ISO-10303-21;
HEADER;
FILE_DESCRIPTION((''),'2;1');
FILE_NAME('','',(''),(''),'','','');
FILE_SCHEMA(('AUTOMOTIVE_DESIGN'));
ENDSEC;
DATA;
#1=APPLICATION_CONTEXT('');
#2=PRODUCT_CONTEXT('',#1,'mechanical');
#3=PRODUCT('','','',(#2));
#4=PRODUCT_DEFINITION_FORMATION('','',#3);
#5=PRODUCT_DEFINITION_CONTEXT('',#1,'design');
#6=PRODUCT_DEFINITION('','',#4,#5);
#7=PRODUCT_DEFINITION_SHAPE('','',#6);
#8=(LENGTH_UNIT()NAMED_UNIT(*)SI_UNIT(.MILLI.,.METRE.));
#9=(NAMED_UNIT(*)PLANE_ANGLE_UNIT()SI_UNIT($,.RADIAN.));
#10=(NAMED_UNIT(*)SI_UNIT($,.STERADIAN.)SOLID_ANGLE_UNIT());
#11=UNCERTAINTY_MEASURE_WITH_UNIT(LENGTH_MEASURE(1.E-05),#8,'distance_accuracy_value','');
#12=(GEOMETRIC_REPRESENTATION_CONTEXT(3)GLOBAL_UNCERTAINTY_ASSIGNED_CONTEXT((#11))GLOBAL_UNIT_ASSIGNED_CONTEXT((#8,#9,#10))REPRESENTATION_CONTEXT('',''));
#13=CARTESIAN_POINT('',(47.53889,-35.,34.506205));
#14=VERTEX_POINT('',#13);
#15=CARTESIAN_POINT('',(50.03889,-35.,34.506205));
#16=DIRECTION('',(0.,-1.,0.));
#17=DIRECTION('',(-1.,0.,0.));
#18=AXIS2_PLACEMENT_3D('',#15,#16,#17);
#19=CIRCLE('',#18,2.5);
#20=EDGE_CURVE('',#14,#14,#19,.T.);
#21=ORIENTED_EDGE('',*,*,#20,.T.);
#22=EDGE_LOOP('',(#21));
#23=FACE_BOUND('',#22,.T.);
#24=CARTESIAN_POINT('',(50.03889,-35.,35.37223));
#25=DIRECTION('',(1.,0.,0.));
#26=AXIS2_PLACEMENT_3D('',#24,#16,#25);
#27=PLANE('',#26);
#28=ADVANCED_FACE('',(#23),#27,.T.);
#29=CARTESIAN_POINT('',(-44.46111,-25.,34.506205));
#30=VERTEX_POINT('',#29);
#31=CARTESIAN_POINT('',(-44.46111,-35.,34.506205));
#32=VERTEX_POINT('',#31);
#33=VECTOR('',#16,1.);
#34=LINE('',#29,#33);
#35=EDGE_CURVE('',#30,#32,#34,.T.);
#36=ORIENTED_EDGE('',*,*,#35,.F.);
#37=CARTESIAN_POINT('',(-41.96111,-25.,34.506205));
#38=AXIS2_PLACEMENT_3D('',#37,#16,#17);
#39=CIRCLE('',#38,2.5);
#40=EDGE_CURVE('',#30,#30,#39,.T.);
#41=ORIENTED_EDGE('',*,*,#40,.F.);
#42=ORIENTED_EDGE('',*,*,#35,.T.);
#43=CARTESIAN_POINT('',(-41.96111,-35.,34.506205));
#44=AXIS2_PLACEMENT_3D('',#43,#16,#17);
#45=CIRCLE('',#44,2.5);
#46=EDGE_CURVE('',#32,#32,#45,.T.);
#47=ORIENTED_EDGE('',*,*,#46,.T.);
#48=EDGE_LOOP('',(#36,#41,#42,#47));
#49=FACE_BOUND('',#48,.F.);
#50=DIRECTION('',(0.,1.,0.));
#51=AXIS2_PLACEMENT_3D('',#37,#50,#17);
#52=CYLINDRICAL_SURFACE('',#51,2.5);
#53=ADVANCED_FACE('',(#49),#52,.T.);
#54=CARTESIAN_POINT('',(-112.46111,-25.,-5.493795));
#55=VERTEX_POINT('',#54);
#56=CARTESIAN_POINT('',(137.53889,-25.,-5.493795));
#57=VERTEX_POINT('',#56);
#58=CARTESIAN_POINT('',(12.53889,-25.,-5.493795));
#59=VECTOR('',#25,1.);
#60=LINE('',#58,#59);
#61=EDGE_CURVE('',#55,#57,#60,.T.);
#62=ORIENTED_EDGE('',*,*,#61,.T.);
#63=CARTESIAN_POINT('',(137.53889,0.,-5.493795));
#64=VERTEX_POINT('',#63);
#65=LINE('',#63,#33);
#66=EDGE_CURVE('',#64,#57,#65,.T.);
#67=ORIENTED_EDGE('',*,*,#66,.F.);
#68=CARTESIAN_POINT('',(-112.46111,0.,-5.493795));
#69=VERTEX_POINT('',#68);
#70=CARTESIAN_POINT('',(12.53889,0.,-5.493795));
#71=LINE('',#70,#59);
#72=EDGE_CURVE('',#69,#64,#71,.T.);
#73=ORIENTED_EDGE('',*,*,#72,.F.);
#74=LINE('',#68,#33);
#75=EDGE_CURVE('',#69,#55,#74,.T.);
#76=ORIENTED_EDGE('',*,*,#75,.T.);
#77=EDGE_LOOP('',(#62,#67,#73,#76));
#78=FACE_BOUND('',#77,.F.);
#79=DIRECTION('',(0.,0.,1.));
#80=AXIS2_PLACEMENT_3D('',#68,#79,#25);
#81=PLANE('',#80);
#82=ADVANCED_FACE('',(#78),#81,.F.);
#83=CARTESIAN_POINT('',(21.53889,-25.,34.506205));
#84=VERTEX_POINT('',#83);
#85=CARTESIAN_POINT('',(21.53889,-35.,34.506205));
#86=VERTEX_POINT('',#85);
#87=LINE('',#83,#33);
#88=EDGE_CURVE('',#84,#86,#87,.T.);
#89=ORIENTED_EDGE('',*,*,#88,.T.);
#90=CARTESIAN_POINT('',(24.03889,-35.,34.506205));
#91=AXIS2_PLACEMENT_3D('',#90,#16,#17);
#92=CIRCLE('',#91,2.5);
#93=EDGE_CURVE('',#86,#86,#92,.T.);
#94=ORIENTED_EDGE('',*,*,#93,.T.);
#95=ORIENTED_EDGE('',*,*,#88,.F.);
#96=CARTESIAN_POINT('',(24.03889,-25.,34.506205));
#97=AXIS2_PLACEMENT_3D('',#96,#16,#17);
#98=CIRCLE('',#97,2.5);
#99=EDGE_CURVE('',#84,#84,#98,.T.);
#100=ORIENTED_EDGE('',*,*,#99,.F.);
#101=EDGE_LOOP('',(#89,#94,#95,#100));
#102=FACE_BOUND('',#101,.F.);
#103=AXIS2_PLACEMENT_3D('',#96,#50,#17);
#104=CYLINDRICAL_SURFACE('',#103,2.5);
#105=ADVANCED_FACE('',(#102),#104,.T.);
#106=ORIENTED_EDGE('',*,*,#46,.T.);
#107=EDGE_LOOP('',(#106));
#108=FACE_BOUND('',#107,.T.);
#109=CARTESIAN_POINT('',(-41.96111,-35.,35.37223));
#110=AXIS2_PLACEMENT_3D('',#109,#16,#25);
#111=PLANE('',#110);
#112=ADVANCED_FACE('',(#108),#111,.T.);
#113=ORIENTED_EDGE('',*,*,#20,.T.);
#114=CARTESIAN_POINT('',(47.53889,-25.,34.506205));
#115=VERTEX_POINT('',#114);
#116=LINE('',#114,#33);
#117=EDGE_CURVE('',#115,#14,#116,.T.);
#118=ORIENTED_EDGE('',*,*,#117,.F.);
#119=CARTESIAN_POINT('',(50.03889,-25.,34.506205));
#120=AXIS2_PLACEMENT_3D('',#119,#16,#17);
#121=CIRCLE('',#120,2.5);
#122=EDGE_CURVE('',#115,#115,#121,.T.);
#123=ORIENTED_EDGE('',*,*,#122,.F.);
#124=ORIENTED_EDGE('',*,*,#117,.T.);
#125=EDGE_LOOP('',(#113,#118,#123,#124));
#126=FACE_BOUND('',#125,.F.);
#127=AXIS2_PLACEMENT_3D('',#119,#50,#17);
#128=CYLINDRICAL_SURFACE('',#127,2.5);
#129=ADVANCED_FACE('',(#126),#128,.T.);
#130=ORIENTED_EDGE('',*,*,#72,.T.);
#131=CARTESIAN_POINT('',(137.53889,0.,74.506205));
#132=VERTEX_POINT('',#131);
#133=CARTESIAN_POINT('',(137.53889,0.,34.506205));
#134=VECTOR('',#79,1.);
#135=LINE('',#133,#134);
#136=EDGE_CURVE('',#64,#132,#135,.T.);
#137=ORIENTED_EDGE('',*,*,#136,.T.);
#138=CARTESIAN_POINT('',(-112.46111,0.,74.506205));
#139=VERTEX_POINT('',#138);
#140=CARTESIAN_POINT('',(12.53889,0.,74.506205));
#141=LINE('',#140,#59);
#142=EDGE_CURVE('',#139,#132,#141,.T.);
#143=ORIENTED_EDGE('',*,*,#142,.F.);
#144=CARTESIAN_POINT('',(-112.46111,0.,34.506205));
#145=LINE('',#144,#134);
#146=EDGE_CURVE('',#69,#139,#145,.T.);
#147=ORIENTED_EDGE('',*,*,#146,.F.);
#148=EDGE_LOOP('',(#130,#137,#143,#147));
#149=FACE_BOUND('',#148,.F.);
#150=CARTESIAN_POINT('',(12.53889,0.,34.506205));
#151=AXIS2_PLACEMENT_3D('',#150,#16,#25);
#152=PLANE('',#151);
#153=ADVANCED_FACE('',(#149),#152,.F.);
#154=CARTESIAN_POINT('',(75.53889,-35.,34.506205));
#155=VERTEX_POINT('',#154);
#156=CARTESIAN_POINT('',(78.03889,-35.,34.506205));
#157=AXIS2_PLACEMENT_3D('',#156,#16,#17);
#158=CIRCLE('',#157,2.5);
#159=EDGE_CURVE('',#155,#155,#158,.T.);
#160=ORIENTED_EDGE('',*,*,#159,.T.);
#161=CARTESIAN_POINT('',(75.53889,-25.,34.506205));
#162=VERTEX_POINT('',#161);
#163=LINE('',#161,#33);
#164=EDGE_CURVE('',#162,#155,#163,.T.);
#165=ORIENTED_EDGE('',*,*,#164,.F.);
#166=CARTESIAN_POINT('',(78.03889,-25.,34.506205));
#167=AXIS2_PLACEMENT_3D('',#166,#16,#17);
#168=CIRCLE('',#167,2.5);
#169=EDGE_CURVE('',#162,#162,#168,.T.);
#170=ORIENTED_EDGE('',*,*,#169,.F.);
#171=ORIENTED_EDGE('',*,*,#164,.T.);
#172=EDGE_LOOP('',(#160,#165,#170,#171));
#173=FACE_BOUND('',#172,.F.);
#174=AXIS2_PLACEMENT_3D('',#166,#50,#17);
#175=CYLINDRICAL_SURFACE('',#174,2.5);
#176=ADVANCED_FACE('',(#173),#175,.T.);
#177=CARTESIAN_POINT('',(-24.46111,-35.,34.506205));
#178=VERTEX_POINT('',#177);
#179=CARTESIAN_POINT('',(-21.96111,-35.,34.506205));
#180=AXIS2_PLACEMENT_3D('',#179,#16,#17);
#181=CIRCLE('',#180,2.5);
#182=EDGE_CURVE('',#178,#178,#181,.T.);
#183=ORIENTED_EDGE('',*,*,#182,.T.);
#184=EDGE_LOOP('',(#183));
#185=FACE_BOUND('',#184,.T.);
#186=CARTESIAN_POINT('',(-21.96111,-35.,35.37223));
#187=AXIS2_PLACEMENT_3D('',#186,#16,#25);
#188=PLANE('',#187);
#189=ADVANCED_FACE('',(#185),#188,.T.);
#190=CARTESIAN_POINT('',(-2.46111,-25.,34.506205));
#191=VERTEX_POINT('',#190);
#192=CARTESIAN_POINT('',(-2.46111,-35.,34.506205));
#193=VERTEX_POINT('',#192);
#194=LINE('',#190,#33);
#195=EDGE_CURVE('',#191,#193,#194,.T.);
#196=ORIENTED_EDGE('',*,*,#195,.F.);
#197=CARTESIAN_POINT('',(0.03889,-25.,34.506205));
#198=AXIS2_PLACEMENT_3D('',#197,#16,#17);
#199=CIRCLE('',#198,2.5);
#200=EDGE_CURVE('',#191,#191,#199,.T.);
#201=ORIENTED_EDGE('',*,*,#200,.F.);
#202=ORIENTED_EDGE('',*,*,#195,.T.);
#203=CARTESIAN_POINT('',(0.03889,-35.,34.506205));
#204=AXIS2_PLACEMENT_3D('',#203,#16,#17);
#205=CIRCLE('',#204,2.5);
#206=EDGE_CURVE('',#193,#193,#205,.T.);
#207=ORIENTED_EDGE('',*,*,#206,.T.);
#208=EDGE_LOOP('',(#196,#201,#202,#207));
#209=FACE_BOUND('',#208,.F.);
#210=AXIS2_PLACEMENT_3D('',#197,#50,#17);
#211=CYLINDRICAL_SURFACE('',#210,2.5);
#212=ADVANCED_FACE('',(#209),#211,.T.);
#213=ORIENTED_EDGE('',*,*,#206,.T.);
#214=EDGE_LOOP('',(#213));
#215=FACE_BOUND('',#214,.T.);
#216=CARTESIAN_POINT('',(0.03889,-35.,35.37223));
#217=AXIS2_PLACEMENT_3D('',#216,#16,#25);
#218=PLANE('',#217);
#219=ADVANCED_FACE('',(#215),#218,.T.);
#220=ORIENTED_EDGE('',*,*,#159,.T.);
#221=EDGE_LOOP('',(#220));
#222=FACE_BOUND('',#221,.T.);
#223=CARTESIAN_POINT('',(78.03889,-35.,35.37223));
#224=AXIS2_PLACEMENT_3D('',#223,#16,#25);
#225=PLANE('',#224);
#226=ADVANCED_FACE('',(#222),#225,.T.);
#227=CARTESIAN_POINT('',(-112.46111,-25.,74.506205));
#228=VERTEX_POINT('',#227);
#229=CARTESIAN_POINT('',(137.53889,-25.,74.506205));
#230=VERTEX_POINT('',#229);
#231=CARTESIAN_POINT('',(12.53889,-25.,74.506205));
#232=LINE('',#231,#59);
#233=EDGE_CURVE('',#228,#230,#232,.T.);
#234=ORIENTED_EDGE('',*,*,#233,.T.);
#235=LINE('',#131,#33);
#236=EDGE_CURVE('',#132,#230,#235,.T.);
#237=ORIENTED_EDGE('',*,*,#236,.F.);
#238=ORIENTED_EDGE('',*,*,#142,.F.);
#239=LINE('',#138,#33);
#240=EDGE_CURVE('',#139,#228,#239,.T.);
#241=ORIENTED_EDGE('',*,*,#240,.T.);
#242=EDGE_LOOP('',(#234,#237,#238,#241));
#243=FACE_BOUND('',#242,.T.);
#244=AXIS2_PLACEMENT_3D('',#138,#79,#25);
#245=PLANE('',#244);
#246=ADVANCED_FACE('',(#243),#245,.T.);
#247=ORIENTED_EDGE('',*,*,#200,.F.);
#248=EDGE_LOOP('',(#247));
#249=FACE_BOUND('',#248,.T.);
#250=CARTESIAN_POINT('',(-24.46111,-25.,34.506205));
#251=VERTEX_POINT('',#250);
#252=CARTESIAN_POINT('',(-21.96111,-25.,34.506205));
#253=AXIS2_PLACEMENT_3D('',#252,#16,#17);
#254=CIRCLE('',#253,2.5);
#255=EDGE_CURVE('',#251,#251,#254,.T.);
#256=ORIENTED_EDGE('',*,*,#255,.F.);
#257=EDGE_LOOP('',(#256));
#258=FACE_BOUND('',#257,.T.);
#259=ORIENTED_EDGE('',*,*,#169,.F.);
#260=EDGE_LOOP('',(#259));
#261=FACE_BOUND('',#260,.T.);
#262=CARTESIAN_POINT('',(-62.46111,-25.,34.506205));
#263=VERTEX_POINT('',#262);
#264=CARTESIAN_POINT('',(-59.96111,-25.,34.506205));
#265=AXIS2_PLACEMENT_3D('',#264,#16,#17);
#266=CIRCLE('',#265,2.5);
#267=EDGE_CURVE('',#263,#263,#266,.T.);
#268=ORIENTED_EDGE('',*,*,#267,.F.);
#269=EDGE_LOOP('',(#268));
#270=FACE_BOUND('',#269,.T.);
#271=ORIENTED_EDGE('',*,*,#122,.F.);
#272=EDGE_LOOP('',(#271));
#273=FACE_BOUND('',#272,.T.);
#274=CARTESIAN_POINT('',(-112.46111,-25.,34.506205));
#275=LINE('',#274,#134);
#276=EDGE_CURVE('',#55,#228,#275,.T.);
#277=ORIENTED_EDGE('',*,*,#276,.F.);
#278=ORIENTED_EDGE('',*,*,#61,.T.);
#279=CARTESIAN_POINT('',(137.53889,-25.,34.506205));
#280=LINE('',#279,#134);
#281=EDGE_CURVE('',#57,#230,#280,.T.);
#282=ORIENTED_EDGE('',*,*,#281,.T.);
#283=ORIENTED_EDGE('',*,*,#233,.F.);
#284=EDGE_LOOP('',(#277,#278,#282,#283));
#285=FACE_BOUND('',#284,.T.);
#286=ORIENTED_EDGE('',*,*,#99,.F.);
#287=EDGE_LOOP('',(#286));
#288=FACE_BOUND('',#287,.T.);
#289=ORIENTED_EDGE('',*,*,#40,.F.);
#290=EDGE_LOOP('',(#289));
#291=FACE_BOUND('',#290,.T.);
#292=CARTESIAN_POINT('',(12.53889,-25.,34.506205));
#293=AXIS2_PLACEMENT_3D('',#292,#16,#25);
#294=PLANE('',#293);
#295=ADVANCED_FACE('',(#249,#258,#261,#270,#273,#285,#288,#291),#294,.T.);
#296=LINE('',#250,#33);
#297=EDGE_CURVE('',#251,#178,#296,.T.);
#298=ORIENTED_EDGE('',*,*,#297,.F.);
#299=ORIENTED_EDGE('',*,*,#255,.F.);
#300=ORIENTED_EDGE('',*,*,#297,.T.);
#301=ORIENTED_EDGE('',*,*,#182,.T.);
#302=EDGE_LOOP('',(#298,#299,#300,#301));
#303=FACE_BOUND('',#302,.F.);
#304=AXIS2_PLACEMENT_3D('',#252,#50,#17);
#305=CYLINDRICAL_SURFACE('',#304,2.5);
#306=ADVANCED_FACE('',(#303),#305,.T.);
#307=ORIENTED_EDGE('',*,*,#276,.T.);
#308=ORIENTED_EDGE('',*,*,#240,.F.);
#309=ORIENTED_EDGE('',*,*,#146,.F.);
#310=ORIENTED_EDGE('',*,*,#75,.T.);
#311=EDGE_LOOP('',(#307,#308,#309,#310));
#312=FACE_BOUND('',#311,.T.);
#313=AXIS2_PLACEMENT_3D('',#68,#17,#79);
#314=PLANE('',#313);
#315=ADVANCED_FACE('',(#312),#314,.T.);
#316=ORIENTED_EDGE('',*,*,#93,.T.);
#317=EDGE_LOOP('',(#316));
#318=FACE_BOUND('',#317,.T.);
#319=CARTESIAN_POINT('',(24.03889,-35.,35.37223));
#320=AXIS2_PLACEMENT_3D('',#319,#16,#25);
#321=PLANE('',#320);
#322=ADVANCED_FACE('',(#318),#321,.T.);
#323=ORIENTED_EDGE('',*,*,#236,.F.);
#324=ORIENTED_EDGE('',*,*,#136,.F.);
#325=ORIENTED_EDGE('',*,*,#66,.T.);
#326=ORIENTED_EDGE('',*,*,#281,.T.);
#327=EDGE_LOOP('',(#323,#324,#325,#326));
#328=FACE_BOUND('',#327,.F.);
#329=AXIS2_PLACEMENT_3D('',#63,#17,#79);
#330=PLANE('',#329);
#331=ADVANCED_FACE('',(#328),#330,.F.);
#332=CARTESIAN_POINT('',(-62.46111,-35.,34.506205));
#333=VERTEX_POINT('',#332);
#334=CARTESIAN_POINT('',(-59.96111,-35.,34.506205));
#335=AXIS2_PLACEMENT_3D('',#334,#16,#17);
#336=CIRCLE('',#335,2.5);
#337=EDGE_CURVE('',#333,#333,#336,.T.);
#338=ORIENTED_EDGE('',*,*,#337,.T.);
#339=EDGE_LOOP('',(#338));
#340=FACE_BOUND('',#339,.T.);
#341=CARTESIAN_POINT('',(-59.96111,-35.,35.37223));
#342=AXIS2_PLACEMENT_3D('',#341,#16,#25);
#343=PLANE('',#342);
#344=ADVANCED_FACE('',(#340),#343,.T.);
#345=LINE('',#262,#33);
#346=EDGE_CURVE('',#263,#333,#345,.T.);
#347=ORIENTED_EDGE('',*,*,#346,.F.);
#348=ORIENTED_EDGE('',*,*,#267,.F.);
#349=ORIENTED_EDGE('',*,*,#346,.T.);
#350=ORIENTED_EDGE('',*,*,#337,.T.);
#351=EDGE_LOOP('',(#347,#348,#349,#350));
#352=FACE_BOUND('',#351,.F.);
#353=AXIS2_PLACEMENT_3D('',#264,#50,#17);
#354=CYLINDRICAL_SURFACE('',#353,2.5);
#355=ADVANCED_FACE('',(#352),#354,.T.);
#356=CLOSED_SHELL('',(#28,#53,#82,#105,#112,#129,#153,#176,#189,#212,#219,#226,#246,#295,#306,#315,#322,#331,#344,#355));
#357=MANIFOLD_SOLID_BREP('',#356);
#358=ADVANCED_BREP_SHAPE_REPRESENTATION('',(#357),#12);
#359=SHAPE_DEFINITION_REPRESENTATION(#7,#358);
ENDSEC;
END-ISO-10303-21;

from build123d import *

# Parameters (mm, degrees)
F0_W     = 250
F0_H     = 80
F1_DEPTH = 25
F3_DEPTH = 10


with BuildPart() as f1:
    # F0 (on Front) → F1 (new body)
    with BuildSketch(Plane.XZ):
        with Locations((12.53889, 34.506205)):
            Rectangle(F0_W, F0_H)
    extrude(amount=F1_DEPTH)

    # F2 (on face) → F3 (join)
    with BuildSketch(Plane.XZ.offset(25)):
        with BuildLine():
            ThreePointArc((-57.46111, 34.506205), (-59.96111, 37.006205), (-62.46111, 34.506205))
            Line((-62.46111, 34.506205), (-57.46111, 34.506205))
        make_face()
        with BuildLine():
            ThreePointArc((80.53889, 34.506205), (78.03889, 37.006205), (75.53889, 34.506205))
            Line((75.53889, 34.506205), (80.53889, 34.506205))
        make_face()
        with BuildLine():
            Line((80.53889, 34.506205), (75.53889, 34.506205))
            ThreePointArc((75.53889, 34.506205), (78.03889, 32.006205), (80.53889, 34.506205))
        make_face()
        with BuildLine():
            ThreePointArc((52.53889, 34.506205), (50.03889, 37.006205), (47.53889, 34.506205))
            Line((47.53889, 34.506205), (52.53889, 34.506205))
        make_face()
        with BuildLine():
            Line((52.53889, 34.506205), (47.53889, 34.506205))
            ThreePointArc((47.53889, 34.506205), (50.03889, 32.006205), (52.53889, 34.506205))
        make_face()
        with BuildLine():
            ThreePointArc((26.53889, 34.506205), (24.03889, 37.006205), (21.53889, 34.506205))
            Line((21.53889, 34.506205), (26.53889, 34.506205))
        make_face()
        with BuildLine():
            Line((26.53889, 34.506205), (21.53889, 34.506205))
            ThreePointArc((21.53889, 34.506205), (24.03889, 32.006205), (26.53889, 34.506205))
        make_face()
        with BuildLine():
            ThreePointArc((2.53889, 34.506205), (0.03889, 37.006205), (-2.46111, 34.506205))
            Line((-2.46111, 34.506205), (2.53889, 34.506205))
        make_face()
        with BuildLine():
            Line((2.53889, 34.506205), (-2.46111, 34.506205))
            ThreePointArc((-2.46111, 34.506205), (0.03889, 32.006205), (2.53889, 34.506205))
        make_face()
        with BuildLine():
            ThreePointArc((-19.46111, 34.506205), (-21.96111, 37.006205), (-24.46111, 34.506205))
            Line((-24.46111, 34.506205), (-19.46111, 34.506205))
        make_face()
        with BuildLine():
            Line((-19.46111, 34.506205), (-24.46111, 34.506205))
            ThreePointArc((-24.46111, 34.506205), (-21.96111, 32.006205), (-19.46111, 34.506205))
        make_face()
        with BuildLine():
            ThreePointArc((-39.46111, 34.506205), (-41.96111, 37.006205), (-44.46111, 34.506205))
            Line((-44.46111, 34.506205), (-39.46111, 34.506205))
        make_face()
        with BuildLine():
            Line((-39.46111, 34.506205), (-44.46111, 34.506205))
            ThreePointArc((-44.46111, 34.506205), (-41.96111, 32.006205), (-39.46111, 34.506205))
        make_face()
        with BuildLine():
            Line((-57.46111, 34.506205), (-62.46111, 34.506205))
            ThreePointArc((-62.46111, 34.506205), (-59.96111, 32.006205), (-57.46111, 34.506205))
        make_face()
    extrude(amount=F3_DEPTH)


solid = f1.part
